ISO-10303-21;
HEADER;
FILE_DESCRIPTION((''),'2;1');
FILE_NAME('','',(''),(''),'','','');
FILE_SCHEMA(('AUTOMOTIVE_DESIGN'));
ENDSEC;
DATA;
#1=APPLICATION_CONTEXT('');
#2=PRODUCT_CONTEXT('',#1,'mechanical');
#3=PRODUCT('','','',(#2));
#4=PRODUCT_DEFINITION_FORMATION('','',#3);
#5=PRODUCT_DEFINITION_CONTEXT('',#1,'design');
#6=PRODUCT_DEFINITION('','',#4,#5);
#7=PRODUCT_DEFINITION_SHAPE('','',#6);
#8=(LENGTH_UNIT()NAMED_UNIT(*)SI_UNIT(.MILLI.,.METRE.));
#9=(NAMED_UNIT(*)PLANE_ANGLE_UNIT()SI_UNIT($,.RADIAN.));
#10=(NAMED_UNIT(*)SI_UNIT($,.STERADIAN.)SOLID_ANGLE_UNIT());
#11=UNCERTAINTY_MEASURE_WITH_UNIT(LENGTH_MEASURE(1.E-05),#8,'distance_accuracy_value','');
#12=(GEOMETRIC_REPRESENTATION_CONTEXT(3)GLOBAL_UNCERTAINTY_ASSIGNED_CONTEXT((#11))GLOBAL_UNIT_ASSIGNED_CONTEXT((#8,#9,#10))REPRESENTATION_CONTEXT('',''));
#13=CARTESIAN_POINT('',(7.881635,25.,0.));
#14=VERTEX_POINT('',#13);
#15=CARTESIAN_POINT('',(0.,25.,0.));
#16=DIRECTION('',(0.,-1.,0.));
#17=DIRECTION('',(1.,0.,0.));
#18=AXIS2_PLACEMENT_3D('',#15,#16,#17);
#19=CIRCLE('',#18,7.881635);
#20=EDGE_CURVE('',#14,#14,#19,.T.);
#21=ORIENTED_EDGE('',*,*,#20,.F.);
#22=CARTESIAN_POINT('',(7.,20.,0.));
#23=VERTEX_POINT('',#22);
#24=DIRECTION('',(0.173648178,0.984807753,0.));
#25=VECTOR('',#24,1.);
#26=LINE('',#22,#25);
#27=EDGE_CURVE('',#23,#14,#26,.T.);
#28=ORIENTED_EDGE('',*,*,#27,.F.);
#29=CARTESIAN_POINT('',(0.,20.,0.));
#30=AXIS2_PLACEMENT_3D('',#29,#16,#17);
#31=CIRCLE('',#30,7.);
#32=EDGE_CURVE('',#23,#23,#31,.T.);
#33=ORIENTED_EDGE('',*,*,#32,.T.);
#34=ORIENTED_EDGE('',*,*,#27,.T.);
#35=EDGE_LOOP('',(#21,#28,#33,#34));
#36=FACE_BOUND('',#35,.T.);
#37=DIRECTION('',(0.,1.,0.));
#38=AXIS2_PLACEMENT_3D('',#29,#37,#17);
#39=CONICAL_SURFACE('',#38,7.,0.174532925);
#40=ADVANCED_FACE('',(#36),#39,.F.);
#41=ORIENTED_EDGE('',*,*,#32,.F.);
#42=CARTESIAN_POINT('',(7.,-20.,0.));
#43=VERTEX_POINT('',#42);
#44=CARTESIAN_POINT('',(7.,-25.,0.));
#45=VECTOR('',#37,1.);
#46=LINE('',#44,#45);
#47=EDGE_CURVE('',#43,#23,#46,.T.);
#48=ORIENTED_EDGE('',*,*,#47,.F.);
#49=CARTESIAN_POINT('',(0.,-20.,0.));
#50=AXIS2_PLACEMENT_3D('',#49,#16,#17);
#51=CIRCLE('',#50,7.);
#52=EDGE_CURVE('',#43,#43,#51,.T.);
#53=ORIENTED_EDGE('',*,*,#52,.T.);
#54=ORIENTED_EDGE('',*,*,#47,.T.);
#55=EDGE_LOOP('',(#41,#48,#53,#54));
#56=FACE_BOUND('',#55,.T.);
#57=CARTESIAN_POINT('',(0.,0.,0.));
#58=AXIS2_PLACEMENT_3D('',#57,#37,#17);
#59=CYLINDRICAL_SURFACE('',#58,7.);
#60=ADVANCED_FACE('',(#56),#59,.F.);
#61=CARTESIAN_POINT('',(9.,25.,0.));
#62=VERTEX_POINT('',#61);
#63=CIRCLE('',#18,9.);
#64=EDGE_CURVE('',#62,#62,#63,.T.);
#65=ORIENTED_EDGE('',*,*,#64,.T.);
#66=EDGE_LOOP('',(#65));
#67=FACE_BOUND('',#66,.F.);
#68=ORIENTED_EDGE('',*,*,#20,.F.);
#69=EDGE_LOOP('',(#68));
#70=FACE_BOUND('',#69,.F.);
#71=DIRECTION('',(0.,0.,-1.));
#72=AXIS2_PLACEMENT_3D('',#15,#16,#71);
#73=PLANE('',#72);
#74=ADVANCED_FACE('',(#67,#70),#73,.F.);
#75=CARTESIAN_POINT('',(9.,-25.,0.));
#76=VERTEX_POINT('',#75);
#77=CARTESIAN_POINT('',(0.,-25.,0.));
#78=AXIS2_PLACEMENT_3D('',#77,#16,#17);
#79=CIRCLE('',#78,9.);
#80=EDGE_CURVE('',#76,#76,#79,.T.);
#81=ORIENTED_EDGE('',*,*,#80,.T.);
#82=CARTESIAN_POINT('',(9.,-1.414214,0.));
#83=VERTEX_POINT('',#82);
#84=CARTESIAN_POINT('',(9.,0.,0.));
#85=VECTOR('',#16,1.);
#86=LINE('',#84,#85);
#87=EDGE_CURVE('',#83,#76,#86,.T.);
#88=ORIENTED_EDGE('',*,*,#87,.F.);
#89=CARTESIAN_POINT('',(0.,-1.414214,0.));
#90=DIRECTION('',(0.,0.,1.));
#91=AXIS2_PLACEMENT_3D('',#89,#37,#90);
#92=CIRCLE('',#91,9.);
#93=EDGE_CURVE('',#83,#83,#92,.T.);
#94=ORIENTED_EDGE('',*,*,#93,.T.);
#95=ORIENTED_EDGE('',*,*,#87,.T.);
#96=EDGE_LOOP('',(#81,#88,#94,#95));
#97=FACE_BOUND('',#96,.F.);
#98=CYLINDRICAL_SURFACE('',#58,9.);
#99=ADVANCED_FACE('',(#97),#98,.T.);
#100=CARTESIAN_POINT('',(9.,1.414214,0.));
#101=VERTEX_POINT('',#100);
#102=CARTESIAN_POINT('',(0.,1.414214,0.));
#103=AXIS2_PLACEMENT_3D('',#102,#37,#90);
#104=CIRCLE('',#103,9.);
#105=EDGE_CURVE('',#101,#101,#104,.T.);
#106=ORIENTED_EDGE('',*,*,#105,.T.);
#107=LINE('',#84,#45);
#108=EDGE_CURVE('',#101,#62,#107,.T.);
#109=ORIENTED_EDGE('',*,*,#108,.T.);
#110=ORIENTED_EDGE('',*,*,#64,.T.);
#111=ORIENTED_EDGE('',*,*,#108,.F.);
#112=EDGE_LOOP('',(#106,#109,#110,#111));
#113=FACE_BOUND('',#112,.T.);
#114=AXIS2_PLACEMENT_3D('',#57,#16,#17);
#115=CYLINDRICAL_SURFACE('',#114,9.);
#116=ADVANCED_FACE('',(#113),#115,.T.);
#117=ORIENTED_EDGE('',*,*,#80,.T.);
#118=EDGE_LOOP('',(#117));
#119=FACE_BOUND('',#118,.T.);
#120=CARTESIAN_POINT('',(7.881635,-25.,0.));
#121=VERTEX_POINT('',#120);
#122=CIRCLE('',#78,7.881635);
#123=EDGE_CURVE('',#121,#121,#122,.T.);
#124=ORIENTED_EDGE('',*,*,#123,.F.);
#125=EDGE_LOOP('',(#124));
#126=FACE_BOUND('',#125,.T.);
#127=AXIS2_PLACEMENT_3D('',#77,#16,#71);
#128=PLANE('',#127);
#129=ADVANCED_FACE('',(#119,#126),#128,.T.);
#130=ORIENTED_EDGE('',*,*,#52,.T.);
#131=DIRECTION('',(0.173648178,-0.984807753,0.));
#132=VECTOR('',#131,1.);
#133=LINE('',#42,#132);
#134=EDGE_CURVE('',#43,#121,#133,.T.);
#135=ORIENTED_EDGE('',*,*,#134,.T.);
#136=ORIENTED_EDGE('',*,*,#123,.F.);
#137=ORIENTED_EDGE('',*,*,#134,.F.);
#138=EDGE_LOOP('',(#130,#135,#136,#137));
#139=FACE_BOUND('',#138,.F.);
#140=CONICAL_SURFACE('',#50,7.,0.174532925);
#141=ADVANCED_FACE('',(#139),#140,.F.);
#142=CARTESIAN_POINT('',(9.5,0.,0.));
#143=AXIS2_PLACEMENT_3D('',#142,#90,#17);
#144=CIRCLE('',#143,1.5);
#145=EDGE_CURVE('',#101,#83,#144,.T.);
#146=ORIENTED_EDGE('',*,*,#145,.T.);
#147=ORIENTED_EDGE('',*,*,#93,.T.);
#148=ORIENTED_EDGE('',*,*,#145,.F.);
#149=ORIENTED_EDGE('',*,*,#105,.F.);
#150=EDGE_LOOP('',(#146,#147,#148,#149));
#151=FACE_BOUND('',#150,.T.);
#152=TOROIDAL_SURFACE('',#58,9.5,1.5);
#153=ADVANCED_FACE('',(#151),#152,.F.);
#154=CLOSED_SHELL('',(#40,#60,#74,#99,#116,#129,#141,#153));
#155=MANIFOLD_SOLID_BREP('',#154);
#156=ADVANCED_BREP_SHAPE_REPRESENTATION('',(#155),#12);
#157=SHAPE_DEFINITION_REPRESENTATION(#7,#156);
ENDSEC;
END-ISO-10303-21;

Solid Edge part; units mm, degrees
sketch "Sketch1" plane through (0, 0, 0) normal (0, -1, 0) x (1, 0, 0)
  circle A0 centre (0, 0) radius 7
  circle A1 centre (0, 0) radius 9
extrude "Protrusion1" add sketch "Sketch1" along normal mid plane 50
sketch "Sketch2" plane through (0, 0, 0) normal (0, 0, 1) x (1, 0, 0)
  circle A0 centre (9.5, 0) radius 1.5
  dimension "D1" = 9.5
revolve "RevolvedCutout1" cut sketch "Sketch2" angle 360 about axis through (0, 54, 0) along (0, -1, 0)
chamfer "Chanfro_2" distance 5 angle 10 2 edges at (-7, -25, 0) (-7, 25, 0) measured on face at (3.8737, -16.1667, 5.8304)
